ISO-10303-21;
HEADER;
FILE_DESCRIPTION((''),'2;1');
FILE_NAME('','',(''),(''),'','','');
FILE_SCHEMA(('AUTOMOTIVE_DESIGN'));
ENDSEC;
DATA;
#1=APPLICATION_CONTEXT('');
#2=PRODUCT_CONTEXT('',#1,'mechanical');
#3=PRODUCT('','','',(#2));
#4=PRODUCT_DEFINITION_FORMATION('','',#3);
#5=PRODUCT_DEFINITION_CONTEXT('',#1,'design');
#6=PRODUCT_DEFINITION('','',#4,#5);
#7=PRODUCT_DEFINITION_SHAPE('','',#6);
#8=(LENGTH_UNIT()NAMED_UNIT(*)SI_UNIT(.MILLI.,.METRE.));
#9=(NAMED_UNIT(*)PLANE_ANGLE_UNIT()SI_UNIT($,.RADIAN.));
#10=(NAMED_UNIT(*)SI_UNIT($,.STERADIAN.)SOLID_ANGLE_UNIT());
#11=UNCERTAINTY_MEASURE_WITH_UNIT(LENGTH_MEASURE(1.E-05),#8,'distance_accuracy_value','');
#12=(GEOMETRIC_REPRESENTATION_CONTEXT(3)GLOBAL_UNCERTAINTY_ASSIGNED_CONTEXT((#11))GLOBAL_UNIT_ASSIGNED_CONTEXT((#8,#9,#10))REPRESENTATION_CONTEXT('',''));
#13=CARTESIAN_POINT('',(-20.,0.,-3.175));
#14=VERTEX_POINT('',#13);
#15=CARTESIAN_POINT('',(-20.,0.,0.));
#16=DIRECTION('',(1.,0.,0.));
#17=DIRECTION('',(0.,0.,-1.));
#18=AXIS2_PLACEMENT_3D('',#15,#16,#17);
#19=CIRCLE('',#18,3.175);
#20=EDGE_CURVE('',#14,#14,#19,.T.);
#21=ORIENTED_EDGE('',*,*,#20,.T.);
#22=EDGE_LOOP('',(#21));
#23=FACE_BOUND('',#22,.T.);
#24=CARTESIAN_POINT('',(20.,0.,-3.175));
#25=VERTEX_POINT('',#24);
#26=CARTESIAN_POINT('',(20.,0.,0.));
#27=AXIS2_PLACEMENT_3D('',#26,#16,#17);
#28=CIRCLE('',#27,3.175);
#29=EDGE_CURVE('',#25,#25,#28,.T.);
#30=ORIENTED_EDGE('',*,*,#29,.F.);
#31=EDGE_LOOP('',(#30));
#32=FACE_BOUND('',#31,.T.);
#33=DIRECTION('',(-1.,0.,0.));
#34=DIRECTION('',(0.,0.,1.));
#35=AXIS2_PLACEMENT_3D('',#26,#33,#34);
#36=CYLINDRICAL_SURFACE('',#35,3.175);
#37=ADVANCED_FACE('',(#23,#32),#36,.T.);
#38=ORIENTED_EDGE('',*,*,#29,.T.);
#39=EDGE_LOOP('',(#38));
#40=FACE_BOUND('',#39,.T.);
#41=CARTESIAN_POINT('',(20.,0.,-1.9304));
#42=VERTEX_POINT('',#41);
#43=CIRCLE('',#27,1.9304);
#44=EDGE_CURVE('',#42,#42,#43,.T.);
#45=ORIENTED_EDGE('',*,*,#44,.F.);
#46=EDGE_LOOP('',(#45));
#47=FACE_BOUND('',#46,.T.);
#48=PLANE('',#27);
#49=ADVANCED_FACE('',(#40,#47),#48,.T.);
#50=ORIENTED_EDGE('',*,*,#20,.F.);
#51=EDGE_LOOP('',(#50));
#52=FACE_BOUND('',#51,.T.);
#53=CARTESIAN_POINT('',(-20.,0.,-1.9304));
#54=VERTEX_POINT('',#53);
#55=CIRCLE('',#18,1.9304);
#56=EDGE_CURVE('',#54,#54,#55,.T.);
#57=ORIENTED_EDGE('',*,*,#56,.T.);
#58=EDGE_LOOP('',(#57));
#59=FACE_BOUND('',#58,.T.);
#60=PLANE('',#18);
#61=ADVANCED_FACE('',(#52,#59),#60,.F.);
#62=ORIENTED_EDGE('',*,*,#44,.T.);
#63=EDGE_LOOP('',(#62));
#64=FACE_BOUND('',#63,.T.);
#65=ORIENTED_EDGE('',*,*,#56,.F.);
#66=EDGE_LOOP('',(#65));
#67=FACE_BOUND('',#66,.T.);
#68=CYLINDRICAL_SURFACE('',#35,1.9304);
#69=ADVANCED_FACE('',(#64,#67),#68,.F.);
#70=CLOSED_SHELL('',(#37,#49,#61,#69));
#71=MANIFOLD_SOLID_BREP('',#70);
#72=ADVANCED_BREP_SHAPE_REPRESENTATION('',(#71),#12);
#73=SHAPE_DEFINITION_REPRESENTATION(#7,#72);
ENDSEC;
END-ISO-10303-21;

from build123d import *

# Parameters (mm, degrees)
SKETCH1_R           = 3.175
SKETCH1_R_2         = 1.9304
BOSS_EXTRUDE1_DEPTH = 20


with BuildPart() as part:
    # Sketch1 → Boss-Extrude1 (new body, symmetric)
    with BuildSketch(Plane(origin=(0, 0, 0), x_dir=(0, 0, -1), z_dir=(1, 0, 0))):
        Circle(SKETCH1_R)
        Circle(SKETCH1_R_2, mode=Mode.SUBTRACT)
    extrude(amount=BOSS_EXTRUDE1_DEPTH, both=True)


solid = part.part
